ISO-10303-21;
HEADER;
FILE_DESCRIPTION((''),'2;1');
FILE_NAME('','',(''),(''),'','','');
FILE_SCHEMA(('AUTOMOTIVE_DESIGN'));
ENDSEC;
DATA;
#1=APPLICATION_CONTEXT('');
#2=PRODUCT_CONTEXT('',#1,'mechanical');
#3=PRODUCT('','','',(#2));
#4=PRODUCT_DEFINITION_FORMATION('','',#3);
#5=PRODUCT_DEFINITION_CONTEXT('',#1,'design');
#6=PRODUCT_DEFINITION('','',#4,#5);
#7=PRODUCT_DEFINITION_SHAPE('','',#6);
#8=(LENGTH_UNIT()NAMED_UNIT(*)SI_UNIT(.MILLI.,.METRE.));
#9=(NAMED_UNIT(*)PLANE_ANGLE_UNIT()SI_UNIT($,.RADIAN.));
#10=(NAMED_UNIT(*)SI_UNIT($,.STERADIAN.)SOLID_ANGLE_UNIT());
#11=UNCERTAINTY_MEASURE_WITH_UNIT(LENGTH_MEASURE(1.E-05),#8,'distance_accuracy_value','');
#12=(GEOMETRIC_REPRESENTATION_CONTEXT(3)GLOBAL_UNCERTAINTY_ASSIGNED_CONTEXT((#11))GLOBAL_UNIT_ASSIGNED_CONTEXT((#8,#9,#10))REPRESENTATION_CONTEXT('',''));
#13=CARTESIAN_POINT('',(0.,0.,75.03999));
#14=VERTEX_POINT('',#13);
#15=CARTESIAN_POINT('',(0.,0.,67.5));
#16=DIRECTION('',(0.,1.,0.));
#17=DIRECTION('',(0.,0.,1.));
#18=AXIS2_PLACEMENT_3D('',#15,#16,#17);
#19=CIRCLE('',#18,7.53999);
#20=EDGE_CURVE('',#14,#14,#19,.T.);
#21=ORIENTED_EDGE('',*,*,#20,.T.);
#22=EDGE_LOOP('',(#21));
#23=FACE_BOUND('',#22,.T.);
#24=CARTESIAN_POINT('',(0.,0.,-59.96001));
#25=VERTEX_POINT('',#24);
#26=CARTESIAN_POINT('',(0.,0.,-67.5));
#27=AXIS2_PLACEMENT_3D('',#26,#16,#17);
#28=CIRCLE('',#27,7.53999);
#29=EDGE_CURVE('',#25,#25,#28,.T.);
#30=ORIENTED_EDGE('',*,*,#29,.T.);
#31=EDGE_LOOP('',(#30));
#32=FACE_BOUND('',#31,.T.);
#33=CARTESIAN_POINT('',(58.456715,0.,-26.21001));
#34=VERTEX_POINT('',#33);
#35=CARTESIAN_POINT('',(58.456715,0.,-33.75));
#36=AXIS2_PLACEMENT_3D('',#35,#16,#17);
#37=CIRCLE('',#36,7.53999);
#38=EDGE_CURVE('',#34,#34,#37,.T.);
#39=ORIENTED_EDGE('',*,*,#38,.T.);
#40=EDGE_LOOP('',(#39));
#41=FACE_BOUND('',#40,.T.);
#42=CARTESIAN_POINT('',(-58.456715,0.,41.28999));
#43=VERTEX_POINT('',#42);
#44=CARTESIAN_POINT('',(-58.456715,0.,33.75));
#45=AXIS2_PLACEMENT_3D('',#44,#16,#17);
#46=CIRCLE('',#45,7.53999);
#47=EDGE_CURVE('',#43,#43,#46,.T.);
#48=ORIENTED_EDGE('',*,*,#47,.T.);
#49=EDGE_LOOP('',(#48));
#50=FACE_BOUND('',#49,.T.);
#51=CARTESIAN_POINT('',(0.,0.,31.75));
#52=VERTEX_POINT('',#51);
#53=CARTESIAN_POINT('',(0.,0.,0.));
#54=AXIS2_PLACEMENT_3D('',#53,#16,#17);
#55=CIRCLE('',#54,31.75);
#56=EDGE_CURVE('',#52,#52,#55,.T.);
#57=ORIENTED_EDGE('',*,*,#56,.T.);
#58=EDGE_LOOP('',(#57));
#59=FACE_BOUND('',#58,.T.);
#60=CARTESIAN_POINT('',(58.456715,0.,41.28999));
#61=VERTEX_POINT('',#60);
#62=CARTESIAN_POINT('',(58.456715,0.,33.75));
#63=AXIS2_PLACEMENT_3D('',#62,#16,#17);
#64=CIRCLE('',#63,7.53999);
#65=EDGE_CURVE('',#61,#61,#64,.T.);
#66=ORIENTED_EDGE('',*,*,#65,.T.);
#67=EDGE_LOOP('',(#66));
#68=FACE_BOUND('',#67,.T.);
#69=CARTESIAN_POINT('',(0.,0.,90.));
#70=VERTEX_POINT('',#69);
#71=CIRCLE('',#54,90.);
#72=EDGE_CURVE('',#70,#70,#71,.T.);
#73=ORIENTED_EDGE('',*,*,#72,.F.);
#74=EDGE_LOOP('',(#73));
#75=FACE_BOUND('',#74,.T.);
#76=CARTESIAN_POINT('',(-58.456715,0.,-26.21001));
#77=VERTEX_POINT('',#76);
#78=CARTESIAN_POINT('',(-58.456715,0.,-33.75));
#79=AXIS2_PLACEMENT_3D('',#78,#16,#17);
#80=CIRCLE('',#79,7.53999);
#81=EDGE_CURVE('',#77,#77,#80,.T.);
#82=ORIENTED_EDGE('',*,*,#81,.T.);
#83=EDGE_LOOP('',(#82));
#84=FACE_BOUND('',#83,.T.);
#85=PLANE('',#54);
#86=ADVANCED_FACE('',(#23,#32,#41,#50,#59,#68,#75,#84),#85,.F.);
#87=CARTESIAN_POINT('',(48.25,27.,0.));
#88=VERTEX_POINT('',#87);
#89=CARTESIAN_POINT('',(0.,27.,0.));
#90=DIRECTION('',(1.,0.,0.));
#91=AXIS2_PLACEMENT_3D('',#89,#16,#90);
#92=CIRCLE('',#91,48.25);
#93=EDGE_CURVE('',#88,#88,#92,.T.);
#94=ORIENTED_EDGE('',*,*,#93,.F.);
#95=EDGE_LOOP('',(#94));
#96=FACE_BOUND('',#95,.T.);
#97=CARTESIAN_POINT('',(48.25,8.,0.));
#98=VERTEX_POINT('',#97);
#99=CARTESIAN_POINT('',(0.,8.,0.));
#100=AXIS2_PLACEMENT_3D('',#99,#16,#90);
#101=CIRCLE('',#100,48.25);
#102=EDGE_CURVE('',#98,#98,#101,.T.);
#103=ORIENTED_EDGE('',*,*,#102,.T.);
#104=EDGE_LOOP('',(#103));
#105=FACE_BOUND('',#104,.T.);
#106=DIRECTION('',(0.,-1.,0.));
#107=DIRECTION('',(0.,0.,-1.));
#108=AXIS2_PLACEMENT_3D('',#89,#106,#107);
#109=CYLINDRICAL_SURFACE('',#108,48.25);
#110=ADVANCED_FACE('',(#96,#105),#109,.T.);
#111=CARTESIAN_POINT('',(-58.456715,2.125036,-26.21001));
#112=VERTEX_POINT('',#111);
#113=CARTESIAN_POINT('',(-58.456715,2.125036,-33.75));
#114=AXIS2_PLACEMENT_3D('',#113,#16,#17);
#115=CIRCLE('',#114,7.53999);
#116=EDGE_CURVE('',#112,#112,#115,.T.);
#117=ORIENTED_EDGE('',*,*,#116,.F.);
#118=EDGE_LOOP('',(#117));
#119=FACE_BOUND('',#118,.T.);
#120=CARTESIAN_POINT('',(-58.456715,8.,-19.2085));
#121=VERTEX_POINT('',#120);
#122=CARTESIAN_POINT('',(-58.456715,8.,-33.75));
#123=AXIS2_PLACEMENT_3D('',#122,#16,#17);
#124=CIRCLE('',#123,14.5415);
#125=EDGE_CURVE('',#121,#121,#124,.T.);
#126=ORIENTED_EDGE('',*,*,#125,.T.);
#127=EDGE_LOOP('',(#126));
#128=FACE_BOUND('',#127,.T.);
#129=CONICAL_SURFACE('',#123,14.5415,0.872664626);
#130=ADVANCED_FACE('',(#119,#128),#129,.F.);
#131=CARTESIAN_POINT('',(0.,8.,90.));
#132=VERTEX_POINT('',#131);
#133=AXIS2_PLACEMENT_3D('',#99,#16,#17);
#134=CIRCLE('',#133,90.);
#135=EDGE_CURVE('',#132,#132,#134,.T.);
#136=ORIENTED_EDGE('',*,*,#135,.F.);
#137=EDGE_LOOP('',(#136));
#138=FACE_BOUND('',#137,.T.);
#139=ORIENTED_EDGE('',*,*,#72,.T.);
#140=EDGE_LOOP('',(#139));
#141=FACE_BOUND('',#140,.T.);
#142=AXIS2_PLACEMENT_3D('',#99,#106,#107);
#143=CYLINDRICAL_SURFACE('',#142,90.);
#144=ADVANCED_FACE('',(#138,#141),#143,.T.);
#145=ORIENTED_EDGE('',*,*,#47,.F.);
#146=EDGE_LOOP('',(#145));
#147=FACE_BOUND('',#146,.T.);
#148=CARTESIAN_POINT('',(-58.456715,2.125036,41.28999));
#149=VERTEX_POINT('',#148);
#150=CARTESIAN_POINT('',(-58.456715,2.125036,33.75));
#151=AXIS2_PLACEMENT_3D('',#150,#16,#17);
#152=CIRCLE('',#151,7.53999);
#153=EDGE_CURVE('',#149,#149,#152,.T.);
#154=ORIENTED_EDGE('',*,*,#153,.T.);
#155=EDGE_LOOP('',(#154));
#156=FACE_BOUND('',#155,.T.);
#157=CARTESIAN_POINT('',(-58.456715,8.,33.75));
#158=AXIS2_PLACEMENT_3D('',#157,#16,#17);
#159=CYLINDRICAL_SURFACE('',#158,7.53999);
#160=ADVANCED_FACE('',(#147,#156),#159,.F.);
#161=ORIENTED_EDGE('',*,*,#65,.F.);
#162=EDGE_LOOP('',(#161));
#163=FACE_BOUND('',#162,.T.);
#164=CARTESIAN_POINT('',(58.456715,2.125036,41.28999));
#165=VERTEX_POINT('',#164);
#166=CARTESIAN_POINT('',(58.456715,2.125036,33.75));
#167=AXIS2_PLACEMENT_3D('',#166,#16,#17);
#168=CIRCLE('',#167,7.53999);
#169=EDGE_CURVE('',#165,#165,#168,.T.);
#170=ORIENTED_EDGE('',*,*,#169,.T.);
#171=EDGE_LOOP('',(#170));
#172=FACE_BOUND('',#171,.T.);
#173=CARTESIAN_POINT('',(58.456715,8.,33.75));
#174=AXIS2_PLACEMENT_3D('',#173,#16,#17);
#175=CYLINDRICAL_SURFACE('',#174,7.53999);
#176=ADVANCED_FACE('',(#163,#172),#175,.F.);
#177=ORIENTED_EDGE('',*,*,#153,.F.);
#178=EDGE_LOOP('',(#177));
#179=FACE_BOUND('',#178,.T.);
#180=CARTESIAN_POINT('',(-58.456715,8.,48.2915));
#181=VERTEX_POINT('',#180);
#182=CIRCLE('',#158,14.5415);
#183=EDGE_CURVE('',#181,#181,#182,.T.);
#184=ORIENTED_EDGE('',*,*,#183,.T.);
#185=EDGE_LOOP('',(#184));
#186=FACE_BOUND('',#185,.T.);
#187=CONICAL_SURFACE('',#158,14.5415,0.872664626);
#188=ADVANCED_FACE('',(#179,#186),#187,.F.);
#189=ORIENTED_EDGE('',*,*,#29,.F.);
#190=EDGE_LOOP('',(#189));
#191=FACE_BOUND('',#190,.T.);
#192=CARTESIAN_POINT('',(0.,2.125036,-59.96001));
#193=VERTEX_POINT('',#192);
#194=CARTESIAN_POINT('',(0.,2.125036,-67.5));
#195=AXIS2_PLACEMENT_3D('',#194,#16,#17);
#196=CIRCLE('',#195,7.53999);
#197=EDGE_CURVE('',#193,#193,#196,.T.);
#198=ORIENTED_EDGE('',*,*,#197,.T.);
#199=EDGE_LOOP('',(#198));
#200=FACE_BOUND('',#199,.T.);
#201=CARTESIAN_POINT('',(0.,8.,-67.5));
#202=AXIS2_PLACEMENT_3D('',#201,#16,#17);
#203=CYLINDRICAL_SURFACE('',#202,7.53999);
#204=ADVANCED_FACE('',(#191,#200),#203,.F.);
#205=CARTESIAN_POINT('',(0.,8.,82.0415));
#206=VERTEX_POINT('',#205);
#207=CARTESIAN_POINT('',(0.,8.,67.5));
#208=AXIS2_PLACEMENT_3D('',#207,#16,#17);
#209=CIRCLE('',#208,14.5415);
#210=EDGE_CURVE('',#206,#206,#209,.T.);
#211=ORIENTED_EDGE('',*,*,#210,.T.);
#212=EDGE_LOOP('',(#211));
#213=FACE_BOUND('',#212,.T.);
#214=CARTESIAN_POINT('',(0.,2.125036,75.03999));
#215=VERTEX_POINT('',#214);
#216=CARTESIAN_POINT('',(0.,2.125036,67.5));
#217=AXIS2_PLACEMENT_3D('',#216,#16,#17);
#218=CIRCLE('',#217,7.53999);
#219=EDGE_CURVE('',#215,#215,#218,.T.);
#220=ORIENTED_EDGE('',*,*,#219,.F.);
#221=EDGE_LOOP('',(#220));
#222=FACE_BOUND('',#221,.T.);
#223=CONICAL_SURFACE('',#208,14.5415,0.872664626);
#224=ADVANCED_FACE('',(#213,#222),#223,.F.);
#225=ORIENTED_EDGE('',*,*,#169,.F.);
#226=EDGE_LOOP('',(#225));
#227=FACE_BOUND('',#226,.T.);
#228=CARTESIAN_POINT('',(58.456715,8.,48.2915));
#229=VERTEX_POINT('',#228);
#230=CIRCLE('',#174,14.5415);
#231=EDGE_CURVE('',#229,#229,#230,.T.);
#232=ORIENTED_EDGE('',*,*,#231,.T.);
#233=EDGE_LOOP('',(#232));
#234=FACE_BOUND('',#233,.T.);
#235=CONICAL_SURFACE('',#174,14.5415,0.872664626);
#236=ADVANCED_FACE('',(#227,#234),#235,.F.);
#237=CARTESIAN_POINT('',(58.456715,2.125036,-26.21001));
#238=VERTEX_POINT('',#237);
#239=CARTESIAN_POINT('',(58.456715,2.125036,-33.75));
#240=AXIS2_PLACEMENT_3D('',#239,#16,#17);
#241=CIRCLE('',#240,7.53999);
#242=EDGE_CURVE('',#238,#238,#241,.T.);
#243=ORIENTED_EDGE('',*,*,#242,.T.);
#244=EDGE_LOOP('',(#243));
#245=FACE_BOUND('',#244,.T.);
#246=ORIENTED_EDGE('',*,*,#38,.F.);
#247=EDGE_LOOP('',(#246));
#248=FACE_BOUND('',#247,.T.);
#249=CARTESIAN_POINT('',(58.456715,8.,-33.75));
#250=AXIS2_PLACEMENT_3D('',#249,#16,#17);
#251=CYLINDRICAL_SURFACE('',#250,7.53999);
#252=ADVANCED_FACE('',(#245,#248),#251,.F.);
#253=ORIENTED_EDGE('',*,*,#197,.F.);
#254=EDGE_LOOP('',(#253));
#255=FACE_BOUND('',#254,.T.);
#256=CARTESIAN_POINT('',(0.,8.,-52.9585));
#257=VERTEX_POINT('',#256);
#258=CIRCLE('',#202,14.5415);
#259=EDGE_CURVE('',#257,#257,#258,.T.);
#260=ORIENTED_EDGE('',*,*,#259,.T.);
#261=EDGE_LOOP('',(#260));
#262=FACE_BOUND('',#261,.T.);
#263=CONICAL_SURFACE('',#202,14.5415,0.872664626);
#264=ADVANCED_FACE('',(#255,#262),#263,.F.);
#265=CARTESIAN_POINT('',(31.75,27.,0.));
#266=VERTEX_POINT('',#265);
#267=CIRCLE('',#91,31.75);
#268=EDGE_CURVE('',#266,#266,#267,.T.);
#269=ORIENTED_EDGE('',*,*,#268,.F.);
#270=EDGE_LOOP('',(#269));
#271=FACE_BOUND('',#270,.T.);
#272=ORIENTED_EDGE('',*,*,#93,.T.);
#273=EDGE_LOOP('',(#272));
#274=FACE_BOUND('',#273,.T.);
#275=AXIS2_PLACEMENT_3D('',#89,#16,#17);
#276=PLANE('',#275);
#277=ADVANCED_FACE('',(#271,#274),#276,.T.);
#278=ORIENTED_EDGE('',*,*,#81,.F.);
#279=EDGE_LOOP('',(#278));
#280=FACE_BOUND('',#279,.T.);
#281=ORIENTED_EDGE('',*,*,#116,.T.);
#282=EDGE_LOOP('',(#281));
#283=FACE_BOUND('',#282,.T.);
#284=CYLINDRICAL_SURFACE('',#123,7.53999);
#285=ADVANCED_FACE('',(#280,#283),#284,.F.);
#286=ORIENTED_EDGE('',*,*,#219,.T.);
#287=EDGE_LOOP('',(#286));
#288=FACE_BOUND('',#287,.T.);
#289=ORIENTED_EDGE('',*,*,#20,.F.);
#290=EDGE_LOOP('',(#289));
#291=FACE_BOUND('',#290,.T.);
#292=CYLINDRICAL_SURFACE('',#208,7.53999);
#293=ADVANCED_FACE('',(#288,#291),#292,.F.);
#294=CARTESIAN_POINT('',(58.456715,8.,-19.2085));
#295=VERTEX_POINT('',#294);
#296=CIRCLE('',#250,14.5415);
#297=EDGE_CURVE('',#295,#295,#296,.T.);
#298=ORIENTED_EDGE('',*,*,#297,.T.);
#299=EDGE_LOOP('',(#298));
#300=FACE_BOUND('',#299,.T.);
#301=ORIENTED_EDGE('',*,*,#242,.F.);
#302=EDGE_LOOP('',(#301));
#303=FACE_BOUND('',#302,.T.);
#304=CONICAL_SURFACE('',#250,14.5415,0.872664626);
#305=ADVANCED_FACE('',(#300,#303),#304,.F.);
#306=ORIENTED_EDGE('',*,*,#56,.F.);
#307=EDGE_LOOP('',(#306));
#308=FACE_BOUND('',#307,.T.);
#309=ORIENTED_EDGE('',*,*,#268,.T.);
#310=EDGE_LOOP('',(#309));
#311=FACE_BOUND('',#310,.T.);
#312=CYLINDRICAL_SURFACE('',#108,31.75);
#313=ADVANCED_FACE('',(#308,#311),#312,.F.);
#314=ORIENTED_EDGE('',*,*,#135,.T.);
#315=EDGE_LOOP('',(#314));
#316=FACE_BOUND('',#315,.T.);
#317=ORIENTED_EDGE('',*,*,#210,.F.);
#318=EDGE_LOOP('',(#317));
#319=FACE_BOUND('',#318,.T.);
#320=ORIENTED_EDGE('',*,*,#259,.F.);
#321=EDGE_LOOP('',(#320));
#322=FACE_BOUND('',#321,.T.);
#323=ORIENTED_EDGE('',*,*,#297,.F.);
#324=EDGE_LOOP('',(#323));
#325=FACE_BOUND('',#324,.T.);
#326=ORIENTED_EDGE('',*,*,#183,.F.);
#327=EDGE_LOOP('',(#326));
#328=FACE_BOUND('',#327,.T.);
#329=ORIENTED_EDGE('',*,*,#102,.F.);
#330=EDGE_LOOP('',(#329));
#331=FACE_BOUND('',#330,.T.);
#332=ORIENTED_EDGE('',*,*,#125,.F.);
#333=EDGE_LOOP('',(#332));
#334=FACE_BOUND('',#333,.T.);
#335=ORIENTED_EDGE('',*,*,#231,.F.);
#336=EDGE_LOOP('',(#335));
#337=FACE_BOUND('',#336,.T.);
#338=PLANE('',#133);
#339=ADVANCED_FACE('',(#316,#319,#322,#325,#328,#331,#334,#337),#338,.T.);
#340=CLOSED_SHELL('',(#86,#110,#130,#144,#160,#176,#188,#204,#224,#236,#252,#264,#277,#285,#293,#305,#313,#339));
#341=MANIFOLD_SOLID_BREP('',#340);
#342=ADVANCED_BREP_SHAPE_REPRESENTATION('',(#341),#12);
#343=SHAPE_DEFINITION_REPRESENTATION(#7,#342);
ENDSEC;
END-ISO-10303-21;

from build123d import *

# Parameters (mm, degrees)
SKETCH5_R           = 90
BOSS_EXTRUDE1_DEPTH = 8
SKETCH6_R           = 48.25
SKETCH6_R_2         = 31.75
EXTRUDE_THIN1_DEPTH = 19
CIRPATTERN1_COUNT   = 6
SKETCH13_W          = 31.75
SKETCH13_H          = 30.969260742


with BuildPart() as part:
    # Sketch5 → Boss-Extrude1 (new body)
    with BuildSketch(Plane(origin=(0, 0, 0), x_dir=(1, 0, 0), z_dir=(0, 1, 0))):
        with Locations(Location((0, 0, 0), (0, 0, 270))):
            Circle(SKETCH5_R)
    extrude(amount=BOSS_EXTRUDE1_DEPTH)

    # Sketch6 → Extrude-Thin1 (add)
    with BuildSketch(Plane(origin=(0, 8, 0), x_dir=(1, 0, 0), z_dir=(0, 1, 0))):
        Circle(SKETCH6_R)
        Circle(SKETCH6_R_2, mode=Mode.SUBTRACT)
    extrude(amount=EXTRUDE_THIN1_DEPTH)

    # Sketch10 → CSK for 9/16 Flat Head Machine Screw (100)1 (revolve, cut)
    with BuildSketch(Plane(origin=(0, 8, -67.5), x_dir=(0, 0, 1), z_dir=(1, 0, 0))):
        Polygon((0, 0), (0, 8), (7.53999, 8), (7.53999, 5.874964459), (14.5415, 0), align=None)
    csk_for_9_16_flat_head_machine_screw_10 = revolve(axis=Axis((0, 14.35, -67.5), (0, -1, 0)), mode=Mode.SUBTRACT)

    # CirPattern1: CSK for 9/16 Flat Head Machine Screw (100)1 ×6 about axis
    cirpattern1_axis = Axis((0, 0, 0), (0, 1, 0))
    for i in range(1, CIRPATTERN1_COUNT):
        add(csk_for_9_16_flat_head_machine_screw_10.rotate(cirpattern1_axis, i * 360 / CIRPATTERN1_COUNT), mode=Mode.SUBTRACT)

    # Sketch13 → Cut-Revolve1 (revolve, cut)
    with BuildSketch(Plane.XY, mode=Mode.PRIVATE) as cut_revolve1_sk:
        with Locations((-15.875, 11.515369629)):
            Rectangle(SKETCH13_W, SKETCH13_H)
    revolve(cut_revolve1_sk.sketch.rotate(Axis((0, 27, 0), (0, -1, 0)), 180), axis=Axis((0, 27, 0), (0, -1, 0)), mode=Mode.SUBTRACT)


solid = part.part
